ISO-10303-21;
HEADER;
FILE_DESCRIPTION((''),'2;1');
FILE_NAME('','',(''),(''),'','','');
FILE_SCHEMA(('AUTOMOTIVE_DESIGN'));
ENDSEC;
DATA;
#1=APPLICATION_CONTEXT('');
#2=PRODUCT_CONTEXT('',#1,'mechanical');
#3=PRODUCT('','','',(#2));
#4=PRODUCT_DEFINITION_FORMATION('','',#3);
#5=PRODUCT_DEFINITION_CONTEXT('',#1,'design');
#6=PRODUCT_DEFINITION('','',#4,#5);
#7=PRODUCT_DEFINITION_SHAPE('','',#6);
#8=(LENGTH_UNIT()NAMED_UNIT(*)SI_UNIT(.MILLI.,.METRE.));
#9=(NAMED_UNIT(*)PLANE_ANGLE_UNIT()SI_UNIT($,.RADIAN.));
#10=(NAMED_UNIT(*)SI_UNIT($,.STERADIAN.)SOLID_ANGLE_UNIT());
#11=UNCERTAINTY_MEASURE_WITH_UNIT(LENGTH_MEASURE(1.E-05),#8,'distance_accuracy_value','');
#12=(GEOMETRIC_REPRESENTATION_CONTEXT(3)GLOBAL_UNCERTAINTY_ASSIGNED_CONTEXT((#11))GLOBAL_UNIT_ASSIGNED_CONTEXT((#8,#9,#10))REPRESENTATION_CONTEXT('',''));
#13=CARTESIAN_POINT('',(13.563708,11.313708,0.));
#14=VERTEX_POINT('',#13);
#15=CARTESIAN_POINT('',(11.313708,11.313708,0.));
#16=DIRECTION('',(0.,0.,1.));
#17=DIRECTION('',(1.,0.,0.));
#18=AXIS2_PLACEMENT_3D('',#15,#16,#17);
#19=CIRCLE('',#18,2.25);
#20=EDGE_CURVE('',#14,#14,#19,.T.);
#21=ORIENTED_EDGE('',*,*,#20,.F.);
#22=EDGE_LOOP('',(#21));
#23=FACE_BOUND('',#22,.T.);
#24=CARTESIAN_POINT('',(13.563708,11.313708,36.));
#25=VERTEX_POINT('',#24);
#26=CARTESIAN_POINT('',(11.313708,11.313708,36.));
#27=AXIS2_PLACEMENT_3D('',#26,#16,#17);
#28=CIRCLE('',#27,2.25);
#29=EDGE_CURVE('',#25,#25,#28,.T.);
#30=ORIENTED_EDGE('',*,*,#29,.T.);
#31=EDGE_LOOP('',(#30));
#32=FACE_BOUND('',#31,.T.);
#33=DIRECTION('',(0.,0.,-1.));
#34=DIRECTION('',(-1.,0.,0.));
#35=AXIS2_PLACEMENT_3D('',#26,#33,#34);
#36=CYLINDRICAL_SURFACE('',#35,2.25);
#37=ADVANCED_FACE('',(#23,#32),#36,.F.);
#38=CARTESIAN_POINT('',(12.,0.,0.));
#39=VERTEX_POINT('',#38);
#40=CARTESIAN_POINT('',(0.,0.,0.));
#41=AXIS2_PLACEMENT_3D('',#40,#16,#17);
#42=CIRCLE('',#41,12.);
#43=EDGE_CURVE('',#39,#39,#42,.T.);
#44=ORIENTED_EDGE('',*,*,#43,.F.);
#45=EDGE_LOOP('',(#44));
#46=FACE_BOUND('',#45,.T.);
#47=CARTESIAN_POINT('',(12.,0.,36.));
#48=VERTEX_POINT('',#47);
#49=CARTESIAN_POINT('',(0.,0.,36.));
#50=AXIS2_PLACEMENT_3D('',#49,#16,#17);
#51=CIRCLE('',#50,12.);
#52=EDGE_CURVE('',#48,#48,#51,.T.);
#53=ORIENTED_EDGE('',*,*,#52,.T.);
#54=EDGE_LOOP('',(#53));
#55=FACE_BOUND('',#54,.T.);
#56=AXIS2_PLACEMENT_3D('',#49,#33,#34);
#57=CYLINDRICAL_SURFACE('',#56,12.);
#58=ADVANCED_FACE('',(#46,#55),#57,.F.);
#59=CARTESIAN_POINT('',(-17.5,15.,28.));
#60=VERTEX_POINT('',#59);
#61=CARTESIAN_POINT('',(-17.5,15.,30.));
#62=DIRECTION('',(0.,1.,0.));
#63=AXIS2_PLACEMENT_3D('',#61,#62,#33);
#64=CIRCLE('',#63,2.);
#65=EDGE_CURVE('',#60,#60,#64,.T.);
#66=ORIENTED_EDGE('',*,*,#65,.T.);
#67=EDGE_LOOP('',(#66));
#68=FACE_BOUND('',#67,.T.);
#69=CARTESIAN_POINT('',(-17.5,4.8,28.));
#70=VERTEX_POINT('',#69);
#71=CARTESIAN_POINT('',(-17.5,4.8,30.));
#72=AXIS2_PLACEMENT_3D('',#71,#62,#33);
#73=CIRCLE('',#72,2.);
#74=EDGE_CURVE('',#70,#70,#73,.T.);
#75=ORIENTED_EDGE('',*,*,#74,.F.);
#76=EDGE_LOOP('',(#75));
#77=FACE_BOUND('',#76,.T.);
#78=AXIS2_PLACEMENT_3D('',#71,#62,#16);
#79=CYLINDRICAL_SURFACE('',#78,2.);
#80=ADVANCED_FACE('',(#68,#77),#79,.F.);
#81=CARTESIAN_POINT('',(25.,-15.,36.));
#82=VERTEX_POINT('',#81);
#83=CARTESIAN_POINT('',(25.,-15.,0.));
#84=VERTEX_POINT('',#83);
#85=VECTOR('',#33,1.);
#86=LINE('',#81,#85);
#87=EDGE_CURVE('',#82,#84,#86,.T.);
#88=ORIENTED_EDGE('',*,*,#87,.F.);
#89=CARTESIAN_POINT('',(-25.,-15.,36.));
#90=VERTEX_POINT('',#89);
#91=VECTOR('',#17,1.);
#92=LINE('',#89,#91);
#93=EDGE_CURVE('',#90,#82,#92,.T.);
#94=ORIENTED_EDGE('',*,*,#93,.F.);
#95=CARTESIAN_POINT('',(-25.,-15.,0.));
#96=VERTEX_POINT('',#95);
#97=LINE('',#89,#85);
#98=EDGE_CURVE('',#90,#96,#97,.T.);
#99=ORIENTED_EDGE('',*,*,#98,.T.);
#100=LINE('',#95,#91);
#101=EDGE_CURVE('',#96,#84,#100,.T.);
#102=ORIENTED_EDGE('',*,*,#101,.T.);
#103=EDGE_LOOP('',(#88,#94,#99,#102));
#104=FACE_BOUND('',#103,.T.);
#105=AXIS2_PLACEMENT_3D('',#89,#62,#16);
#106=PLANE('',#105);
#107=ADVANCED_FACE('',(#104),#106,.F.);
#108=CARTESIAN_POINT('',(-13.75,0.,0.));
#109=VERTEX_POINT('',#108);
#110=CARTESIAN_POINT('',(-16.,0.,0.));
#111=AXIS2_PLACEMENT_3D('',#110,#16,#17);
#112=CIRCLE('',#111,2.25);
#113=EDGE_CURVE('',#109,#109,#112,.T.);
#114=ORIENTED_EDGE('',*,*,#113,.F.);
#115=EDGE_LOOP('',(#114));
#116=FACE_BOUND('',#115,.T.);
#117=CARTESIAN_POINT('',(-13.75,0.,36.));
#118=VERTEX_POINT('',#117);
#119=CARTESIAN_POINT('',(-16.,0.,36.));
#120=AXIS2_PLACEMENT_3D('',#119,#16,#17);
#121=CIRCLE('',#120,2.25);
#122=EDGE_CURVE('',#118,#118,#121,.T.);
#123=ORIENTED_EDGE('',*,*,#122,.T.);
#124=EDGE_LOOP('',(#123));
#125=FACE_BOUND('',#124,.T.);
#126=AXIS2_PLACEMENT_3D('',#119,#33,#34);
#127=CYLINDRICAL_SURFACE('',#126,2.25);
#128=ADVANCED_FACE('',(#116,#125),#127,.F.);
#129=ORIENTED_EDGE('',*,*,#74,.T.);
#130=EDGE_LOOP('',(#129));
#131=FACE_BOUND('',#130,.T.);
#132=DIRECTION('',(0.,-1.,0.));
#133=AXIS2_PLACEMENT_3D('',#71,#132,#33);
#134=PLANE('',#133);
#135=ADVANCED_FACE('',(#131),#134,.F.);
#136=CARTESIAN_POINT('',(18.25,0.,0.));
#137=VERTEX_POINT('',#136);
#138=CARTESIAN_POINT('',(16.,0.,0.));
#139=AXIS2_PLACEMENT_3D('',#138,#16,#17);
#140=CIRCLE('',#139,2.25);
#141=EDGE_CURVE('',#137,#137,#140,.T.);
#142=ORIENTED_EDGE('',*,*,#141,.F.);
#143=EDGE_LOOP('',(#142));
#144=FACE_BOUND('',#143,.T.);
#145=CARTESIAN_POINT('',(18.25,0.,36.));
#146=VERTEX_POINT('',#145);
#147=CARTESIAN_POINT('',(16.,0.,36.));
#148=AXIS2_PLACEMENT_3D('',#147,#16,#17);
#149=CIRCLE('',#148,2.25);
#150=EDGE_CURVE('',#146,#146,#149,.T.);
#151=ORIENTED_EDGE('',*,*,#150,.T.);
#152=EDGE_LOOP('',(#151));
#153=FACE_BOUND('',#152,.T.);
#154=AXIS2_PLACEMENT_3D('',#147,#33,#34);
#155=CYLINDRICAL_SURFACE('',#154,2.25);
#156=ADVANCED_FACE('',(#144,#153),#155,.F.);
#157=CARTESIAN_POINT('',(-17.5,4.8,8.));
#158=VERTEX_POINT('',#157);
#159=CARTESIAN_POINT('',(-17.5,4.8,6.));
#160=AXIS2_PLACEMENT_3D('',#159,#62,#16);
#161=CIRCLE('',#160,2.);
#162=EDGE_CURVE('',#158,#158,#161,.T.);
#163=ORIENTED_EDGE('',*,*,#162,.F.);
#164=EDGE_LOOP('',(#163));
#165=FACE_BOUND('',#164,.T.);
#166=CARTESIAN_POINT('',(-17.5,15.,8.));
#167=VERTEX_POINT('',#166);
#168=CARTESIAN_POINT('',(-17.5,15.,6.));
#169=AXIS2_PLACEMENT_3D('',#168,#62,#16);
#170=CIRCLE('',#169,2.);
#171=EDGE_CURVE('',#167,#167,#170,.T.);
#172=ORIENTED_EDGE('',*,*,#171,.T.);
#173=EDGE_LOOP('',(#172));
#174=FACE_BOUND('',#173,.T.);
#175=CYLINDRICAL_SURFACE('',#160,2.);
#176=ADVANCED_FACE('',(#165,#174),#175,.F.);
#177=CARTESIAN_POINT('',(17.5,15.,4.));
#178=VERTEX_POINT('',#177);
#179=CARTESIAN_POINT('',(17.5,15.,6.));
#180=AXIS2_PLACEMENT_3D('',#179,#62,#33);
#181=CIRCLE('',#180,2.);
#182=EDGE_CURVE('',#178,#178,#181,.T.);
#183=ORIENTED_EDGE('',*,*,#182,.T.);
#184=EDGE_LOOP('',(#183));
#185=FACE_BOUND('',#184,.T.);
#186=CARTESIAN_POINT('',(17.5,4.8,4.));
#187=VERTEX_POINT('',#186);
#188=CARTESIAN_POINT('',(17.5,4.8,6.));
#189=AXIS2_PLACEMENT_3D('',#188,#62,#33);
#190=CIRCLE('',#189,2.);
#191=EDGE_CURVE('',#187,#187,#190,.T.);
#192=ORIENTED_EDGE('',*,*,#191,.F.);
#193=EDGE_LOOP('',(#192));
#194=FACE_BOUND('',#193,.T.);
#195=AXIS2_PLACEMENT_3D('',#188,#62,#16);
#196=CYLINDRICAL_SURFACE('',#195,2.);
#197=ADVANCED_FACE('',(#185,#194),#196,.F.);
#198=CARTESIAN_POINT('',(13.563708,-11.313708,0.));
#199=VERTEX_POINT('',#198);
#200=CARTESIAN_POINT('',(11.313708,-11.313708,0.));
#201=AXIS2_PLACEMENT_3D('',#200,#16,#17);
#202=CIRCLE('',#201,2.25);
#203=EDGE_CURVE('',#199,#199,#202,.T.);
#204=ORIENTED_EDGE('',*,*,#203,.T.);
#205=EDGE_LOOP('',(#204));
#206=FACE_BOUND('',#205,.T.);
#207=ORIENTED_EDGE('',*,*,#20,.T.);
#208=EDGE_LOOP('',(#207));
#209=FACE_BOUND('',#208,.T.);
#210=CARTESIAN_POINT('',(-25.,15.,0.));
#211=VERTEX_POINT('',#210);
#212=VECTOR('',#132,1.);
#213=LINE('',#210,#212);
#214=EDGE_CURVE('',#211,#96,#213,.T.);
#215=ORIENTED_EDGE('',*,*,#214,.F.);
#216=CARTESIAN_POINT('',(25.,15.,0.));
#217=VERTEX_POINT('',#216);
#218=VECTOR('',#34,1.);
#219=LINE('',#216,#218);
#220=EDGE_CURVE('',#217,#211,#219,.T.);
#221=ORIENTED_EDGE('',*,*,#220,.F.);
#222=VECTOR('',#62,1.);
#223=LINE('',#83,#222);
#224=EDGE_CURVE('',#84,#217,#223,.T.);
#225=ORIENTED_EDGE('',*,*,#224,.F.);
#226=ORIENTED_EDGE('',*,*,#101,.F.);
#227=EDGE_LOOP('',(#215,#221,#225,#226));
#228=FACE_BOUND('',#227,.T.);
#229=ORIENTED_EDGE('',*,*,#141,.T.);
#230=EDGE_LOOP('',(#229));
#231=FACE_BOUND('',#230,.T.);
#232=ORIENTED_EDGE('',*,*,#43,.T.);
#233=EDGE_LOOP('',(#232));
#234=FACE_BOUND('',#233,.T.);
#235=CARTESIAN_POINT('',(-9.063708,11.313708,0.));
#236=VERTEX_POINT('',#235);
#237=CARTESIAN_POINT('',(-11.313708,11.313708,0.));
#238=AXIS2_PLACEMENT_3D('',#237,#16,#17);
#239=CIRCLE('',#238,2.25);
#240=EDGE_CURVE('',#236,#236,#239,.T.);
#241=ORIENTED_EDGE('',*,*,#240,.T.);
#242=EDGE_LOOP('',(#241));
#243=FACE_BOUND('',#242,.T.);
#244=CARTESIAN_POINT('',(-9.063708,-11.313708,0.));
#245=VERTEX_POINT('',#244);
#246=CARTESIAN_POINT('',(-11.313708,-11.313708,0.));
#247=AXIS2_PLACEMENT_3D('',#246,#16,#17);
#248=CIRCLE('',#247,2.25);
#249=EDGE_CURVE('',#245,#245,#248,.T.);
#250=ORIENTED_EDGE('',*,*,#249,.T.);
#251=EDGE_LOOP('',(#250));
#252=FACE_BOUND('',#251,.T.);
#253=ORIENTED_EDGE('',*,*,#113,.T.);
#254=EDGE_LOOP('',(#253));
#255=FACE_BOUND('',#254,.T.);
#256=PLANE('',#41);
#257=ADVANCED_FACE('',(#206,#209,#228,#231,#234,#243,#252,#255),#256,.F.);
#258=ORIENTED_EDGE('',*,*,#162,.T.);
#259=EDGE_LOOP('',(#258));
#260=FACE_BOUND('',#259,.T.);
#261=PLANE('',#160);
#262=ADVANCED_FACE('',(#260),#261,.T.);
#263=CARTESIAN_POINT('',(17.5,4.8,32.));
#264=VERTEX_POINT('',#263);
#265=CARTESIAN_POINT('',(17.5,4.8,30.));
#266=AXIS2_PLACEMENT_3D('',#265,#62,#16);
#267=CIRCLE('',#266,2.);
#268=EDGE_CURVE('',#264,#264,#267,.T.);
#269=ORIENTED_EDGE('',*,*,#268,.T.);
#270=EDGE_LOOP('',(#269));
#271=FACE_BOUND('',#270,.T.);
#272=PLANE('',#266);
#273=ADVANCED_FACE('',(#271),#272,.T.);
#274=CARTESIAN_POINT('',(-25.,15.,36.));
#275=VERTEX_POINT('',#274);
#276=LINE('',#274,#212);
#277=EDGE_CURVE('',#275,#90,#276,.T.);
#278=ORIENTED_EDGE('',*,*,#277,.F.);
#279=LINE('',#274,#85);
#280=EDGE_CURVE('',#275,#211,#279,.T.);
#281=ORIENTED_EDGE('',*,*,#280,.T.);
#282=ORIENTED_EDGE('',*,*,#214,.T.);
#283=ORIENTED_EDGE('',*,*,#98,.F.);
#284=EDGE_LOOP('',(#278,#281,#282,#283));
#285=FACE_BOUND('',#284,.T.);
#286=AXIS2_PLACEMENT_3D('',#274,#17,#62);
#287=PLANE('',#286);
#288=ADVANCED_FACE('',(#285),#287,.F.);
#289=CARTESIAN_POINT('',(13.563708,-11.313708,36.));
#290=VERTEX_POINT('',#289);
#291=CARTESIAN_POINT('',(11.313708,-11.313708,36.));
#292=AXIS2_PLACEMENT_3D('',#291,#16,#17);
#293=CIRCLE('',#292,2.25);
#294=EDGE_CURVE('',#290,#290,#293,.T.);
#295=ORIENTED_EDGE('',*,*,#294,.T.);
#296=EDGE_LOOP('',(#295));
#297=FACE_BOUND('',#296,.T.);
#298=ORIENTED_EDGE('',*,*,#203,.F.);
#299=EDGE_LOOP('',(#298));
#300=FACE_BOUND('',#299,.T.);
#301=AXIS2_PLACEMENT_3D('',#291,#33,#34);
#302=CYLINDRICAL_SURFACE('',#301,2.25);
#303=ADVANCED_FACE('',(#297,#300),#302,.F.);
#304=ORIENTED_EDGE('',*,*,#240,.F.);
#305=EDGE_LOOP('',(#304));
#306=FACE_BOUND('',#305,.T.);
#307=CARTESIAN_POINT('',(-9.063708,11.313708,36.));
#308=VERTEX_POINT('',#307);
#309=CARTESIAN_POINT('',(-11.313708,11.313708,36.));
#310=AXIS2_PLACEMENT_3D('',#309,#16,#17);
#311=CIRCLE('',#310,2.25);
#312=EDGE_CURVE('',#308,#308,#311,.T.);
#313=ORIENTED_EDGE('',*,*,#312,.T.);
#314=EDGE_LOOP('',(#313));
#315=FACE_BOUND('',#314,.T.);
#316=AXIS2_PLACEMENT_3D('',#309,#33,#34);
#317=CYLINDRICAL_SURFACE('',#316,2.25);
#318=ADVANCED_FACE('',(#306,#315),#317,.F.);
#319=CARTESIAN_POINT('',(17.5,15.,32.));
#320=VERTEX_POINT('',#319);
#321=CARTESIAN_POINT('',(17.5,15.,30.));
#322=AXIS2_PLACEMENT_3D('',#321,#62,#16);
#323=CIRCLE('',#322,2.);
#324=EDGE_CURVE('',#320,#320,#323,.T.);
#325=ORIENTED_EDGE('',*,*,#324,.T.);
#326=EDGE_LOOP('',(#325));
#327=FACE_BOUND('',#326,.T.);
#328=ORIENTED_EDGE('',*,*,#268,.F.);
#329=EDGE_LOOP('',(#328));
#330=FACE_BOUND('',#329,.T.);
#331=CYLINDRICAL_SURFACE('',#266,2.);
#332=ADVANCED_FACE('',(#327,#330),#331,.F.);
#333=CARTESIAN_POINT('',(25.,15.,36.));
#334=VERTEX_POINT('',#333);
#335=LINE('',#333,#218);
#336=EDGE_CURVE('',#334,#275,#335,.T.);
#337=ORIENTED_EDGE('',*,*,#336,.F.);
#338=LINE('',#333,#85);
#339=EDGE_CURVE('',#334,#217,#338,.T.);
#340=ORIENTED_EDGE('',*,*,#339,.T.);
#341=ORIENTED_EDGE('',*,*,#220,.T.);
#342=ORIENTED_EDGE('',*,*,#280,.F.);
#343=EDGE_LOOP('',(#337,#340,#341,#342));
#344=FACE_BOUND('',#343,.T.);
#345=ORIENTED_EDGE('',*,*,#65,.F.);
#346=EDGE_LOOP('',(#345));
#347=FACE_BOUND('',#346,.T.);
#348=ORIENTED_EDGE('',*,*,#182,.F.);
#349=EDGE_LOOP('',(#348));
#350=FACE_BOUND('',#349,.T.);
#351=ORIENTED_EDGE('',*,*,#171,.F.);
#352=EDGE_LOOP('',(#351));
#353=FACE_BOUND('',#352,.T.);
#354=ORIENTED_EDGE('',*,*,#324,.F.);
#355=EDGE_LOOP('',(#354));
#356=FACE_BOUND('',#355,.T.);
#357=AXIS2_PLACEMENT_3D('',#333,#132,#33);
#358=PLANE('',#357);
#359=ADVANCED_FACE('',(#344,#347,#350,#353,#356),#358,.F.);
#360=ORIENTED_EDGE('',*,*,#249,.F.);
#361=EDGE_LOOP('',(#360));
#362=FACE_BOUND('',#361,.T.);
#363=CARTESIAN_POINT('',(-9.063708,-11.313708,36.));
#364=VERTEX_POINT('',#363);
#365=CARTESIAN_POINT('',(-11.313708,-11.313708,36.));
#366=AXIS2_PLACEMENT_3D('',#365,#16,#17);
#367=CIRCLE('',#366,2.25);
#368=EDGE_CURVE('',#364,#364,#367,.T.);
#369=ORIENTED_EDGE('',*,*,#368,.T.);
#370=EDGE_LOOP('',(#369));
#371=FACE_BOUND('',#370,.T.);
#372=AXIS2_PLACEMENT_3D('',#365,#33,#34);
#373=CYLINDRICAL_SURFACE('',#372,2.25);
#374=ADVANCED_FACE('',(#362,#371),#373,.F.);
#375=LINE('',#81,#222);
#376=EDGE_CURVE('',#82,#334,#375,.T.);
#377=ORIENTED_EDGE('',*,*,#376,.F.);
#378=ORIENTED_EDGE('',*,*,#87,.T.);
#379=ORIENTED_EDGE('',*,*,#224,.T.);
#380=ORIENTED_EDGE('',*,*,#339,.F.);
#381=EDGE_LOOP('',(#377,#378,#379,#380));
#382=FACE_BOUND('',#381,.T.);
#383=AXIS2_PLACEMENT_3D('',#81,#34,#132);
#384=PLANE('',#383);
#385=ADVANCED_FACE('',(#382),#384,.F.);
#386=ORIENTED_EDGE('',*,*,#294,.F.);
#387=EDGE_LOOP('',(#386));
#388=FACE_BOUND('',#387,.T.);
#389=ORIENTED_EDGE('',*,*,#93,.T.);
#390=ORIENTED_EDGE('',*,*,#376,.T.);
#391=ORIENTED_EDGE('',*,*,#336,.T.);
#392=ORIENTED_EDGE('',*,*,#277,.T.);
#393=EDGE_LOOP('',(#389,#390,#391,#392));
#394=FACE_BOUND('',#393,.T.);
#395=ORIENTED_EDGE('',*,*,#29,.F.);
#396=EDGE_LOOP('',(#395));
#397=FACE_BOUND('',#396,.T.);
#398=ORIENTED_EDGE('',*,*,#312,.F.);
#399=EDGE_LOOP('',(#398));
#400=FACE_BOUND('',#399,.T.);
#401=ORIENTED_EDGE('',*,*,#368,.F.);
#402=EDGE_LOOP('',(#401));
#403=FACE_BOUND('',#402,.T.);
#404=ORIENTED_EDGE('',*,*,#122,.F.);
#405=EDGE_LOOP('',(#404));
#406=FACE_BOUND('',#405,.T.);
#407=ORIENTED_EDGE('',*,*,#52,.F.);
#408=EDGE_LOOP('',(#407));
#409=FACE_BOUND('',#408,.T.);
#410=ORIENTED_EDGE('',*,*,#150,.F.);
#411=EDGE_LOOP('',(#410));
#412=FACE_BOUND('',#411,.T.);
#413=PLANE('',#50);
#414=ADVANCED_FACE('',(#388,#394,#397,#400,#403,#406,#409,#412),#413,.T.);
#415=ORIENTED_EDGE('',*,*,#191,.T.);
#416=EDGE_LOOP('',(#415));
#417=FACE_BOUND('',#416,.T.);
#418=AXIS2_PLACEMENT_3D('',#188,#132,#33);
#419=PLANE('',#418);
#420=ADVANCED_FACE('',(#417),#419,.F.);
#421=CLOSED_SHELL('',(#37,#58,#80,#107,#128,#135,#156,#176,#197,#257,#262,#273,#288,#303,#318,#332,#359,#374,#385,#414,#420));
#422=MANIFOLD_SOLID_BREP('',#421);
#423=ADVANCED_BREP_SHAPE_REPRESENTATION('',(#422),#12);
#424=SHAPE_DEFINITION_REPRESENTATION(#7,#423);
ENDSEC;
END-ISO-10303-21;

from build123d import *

# Parameters (mm, degrees)
SKETCH_1_W          = 50
SKETCH_1_H          = 30
SKETCH_1_R          = 2.25
SKETCH_1_R_2        = 12
EXTRUDE_1_DEPTH     = 36
SKETCH_2_R          = 2
CUT_EXTRUDE_1_DEPTH = 10.2


with BuildPart() as part:
    # 草图1 → 凸台-拉伸1 (new body)
    with BuildSketch(Plane.XY):
        Rectangle(SKETCH_1_W, SKETCH_1_H)
        with Locations((-11.313708499, 11.313708499)):
            Circle(SKETCH_1_R, mode=Mode.SUBTRACT)
        with Locations((-16, 0)):
            Circle(SKETCH_1_R, mode=Mode.SUBTRACT)
        with Locations((-11.313708499, -11.313708499)):
            Circle(SKETCH_1_R, mode=Mode.SUBTRACT)
        with Locations((11.313708499, -11.313708499)):
            Circle(SKETCH_1_R, mode=Mode.SUBTRACT)
        with Locations((16, 0)):
            Circle(SKETCH_1_R, mode=Mode.SUBTRACT)
        with Locations((11.313708499, 11.313708499)):
            Circle(SKETCH_1_R, mode=Mode.SUBTRACT)
        Circle(SKETCH_1_R_2, mode=Mode.SUBTRACT)
    extrude(amount=EXTRUDE_1_DEPTH)

    # 草图2 → 切除-拉伸1 (cut)
    with BuildSketch(Plane(origin=(0, 15, 0), x_dir=(1, 0, 0), z_dir=(0, 1, 0))):
        with Locations(Location((17.5, -30, 0), (0, 0, 270))):
            Circle(SKETCH_2_R)
        with Locations(Location((-17.5, -30, 0), (0, 0, 90))):
            Circle(SKETCH_2_R)
        with Locations(Location((-17.5, -6, 0), (0, 0, 270))):
            Circle(SKETCH_2_R)
        with Locations(Location((17.5, -6, 0), (0, 0, 90))):
            Circle(SKETCH_2_R)
    extrude(amount=-CUT_EXTRUDE_1_DEPTH, mode=Mode.SUBTRACT)


solid = part.part
